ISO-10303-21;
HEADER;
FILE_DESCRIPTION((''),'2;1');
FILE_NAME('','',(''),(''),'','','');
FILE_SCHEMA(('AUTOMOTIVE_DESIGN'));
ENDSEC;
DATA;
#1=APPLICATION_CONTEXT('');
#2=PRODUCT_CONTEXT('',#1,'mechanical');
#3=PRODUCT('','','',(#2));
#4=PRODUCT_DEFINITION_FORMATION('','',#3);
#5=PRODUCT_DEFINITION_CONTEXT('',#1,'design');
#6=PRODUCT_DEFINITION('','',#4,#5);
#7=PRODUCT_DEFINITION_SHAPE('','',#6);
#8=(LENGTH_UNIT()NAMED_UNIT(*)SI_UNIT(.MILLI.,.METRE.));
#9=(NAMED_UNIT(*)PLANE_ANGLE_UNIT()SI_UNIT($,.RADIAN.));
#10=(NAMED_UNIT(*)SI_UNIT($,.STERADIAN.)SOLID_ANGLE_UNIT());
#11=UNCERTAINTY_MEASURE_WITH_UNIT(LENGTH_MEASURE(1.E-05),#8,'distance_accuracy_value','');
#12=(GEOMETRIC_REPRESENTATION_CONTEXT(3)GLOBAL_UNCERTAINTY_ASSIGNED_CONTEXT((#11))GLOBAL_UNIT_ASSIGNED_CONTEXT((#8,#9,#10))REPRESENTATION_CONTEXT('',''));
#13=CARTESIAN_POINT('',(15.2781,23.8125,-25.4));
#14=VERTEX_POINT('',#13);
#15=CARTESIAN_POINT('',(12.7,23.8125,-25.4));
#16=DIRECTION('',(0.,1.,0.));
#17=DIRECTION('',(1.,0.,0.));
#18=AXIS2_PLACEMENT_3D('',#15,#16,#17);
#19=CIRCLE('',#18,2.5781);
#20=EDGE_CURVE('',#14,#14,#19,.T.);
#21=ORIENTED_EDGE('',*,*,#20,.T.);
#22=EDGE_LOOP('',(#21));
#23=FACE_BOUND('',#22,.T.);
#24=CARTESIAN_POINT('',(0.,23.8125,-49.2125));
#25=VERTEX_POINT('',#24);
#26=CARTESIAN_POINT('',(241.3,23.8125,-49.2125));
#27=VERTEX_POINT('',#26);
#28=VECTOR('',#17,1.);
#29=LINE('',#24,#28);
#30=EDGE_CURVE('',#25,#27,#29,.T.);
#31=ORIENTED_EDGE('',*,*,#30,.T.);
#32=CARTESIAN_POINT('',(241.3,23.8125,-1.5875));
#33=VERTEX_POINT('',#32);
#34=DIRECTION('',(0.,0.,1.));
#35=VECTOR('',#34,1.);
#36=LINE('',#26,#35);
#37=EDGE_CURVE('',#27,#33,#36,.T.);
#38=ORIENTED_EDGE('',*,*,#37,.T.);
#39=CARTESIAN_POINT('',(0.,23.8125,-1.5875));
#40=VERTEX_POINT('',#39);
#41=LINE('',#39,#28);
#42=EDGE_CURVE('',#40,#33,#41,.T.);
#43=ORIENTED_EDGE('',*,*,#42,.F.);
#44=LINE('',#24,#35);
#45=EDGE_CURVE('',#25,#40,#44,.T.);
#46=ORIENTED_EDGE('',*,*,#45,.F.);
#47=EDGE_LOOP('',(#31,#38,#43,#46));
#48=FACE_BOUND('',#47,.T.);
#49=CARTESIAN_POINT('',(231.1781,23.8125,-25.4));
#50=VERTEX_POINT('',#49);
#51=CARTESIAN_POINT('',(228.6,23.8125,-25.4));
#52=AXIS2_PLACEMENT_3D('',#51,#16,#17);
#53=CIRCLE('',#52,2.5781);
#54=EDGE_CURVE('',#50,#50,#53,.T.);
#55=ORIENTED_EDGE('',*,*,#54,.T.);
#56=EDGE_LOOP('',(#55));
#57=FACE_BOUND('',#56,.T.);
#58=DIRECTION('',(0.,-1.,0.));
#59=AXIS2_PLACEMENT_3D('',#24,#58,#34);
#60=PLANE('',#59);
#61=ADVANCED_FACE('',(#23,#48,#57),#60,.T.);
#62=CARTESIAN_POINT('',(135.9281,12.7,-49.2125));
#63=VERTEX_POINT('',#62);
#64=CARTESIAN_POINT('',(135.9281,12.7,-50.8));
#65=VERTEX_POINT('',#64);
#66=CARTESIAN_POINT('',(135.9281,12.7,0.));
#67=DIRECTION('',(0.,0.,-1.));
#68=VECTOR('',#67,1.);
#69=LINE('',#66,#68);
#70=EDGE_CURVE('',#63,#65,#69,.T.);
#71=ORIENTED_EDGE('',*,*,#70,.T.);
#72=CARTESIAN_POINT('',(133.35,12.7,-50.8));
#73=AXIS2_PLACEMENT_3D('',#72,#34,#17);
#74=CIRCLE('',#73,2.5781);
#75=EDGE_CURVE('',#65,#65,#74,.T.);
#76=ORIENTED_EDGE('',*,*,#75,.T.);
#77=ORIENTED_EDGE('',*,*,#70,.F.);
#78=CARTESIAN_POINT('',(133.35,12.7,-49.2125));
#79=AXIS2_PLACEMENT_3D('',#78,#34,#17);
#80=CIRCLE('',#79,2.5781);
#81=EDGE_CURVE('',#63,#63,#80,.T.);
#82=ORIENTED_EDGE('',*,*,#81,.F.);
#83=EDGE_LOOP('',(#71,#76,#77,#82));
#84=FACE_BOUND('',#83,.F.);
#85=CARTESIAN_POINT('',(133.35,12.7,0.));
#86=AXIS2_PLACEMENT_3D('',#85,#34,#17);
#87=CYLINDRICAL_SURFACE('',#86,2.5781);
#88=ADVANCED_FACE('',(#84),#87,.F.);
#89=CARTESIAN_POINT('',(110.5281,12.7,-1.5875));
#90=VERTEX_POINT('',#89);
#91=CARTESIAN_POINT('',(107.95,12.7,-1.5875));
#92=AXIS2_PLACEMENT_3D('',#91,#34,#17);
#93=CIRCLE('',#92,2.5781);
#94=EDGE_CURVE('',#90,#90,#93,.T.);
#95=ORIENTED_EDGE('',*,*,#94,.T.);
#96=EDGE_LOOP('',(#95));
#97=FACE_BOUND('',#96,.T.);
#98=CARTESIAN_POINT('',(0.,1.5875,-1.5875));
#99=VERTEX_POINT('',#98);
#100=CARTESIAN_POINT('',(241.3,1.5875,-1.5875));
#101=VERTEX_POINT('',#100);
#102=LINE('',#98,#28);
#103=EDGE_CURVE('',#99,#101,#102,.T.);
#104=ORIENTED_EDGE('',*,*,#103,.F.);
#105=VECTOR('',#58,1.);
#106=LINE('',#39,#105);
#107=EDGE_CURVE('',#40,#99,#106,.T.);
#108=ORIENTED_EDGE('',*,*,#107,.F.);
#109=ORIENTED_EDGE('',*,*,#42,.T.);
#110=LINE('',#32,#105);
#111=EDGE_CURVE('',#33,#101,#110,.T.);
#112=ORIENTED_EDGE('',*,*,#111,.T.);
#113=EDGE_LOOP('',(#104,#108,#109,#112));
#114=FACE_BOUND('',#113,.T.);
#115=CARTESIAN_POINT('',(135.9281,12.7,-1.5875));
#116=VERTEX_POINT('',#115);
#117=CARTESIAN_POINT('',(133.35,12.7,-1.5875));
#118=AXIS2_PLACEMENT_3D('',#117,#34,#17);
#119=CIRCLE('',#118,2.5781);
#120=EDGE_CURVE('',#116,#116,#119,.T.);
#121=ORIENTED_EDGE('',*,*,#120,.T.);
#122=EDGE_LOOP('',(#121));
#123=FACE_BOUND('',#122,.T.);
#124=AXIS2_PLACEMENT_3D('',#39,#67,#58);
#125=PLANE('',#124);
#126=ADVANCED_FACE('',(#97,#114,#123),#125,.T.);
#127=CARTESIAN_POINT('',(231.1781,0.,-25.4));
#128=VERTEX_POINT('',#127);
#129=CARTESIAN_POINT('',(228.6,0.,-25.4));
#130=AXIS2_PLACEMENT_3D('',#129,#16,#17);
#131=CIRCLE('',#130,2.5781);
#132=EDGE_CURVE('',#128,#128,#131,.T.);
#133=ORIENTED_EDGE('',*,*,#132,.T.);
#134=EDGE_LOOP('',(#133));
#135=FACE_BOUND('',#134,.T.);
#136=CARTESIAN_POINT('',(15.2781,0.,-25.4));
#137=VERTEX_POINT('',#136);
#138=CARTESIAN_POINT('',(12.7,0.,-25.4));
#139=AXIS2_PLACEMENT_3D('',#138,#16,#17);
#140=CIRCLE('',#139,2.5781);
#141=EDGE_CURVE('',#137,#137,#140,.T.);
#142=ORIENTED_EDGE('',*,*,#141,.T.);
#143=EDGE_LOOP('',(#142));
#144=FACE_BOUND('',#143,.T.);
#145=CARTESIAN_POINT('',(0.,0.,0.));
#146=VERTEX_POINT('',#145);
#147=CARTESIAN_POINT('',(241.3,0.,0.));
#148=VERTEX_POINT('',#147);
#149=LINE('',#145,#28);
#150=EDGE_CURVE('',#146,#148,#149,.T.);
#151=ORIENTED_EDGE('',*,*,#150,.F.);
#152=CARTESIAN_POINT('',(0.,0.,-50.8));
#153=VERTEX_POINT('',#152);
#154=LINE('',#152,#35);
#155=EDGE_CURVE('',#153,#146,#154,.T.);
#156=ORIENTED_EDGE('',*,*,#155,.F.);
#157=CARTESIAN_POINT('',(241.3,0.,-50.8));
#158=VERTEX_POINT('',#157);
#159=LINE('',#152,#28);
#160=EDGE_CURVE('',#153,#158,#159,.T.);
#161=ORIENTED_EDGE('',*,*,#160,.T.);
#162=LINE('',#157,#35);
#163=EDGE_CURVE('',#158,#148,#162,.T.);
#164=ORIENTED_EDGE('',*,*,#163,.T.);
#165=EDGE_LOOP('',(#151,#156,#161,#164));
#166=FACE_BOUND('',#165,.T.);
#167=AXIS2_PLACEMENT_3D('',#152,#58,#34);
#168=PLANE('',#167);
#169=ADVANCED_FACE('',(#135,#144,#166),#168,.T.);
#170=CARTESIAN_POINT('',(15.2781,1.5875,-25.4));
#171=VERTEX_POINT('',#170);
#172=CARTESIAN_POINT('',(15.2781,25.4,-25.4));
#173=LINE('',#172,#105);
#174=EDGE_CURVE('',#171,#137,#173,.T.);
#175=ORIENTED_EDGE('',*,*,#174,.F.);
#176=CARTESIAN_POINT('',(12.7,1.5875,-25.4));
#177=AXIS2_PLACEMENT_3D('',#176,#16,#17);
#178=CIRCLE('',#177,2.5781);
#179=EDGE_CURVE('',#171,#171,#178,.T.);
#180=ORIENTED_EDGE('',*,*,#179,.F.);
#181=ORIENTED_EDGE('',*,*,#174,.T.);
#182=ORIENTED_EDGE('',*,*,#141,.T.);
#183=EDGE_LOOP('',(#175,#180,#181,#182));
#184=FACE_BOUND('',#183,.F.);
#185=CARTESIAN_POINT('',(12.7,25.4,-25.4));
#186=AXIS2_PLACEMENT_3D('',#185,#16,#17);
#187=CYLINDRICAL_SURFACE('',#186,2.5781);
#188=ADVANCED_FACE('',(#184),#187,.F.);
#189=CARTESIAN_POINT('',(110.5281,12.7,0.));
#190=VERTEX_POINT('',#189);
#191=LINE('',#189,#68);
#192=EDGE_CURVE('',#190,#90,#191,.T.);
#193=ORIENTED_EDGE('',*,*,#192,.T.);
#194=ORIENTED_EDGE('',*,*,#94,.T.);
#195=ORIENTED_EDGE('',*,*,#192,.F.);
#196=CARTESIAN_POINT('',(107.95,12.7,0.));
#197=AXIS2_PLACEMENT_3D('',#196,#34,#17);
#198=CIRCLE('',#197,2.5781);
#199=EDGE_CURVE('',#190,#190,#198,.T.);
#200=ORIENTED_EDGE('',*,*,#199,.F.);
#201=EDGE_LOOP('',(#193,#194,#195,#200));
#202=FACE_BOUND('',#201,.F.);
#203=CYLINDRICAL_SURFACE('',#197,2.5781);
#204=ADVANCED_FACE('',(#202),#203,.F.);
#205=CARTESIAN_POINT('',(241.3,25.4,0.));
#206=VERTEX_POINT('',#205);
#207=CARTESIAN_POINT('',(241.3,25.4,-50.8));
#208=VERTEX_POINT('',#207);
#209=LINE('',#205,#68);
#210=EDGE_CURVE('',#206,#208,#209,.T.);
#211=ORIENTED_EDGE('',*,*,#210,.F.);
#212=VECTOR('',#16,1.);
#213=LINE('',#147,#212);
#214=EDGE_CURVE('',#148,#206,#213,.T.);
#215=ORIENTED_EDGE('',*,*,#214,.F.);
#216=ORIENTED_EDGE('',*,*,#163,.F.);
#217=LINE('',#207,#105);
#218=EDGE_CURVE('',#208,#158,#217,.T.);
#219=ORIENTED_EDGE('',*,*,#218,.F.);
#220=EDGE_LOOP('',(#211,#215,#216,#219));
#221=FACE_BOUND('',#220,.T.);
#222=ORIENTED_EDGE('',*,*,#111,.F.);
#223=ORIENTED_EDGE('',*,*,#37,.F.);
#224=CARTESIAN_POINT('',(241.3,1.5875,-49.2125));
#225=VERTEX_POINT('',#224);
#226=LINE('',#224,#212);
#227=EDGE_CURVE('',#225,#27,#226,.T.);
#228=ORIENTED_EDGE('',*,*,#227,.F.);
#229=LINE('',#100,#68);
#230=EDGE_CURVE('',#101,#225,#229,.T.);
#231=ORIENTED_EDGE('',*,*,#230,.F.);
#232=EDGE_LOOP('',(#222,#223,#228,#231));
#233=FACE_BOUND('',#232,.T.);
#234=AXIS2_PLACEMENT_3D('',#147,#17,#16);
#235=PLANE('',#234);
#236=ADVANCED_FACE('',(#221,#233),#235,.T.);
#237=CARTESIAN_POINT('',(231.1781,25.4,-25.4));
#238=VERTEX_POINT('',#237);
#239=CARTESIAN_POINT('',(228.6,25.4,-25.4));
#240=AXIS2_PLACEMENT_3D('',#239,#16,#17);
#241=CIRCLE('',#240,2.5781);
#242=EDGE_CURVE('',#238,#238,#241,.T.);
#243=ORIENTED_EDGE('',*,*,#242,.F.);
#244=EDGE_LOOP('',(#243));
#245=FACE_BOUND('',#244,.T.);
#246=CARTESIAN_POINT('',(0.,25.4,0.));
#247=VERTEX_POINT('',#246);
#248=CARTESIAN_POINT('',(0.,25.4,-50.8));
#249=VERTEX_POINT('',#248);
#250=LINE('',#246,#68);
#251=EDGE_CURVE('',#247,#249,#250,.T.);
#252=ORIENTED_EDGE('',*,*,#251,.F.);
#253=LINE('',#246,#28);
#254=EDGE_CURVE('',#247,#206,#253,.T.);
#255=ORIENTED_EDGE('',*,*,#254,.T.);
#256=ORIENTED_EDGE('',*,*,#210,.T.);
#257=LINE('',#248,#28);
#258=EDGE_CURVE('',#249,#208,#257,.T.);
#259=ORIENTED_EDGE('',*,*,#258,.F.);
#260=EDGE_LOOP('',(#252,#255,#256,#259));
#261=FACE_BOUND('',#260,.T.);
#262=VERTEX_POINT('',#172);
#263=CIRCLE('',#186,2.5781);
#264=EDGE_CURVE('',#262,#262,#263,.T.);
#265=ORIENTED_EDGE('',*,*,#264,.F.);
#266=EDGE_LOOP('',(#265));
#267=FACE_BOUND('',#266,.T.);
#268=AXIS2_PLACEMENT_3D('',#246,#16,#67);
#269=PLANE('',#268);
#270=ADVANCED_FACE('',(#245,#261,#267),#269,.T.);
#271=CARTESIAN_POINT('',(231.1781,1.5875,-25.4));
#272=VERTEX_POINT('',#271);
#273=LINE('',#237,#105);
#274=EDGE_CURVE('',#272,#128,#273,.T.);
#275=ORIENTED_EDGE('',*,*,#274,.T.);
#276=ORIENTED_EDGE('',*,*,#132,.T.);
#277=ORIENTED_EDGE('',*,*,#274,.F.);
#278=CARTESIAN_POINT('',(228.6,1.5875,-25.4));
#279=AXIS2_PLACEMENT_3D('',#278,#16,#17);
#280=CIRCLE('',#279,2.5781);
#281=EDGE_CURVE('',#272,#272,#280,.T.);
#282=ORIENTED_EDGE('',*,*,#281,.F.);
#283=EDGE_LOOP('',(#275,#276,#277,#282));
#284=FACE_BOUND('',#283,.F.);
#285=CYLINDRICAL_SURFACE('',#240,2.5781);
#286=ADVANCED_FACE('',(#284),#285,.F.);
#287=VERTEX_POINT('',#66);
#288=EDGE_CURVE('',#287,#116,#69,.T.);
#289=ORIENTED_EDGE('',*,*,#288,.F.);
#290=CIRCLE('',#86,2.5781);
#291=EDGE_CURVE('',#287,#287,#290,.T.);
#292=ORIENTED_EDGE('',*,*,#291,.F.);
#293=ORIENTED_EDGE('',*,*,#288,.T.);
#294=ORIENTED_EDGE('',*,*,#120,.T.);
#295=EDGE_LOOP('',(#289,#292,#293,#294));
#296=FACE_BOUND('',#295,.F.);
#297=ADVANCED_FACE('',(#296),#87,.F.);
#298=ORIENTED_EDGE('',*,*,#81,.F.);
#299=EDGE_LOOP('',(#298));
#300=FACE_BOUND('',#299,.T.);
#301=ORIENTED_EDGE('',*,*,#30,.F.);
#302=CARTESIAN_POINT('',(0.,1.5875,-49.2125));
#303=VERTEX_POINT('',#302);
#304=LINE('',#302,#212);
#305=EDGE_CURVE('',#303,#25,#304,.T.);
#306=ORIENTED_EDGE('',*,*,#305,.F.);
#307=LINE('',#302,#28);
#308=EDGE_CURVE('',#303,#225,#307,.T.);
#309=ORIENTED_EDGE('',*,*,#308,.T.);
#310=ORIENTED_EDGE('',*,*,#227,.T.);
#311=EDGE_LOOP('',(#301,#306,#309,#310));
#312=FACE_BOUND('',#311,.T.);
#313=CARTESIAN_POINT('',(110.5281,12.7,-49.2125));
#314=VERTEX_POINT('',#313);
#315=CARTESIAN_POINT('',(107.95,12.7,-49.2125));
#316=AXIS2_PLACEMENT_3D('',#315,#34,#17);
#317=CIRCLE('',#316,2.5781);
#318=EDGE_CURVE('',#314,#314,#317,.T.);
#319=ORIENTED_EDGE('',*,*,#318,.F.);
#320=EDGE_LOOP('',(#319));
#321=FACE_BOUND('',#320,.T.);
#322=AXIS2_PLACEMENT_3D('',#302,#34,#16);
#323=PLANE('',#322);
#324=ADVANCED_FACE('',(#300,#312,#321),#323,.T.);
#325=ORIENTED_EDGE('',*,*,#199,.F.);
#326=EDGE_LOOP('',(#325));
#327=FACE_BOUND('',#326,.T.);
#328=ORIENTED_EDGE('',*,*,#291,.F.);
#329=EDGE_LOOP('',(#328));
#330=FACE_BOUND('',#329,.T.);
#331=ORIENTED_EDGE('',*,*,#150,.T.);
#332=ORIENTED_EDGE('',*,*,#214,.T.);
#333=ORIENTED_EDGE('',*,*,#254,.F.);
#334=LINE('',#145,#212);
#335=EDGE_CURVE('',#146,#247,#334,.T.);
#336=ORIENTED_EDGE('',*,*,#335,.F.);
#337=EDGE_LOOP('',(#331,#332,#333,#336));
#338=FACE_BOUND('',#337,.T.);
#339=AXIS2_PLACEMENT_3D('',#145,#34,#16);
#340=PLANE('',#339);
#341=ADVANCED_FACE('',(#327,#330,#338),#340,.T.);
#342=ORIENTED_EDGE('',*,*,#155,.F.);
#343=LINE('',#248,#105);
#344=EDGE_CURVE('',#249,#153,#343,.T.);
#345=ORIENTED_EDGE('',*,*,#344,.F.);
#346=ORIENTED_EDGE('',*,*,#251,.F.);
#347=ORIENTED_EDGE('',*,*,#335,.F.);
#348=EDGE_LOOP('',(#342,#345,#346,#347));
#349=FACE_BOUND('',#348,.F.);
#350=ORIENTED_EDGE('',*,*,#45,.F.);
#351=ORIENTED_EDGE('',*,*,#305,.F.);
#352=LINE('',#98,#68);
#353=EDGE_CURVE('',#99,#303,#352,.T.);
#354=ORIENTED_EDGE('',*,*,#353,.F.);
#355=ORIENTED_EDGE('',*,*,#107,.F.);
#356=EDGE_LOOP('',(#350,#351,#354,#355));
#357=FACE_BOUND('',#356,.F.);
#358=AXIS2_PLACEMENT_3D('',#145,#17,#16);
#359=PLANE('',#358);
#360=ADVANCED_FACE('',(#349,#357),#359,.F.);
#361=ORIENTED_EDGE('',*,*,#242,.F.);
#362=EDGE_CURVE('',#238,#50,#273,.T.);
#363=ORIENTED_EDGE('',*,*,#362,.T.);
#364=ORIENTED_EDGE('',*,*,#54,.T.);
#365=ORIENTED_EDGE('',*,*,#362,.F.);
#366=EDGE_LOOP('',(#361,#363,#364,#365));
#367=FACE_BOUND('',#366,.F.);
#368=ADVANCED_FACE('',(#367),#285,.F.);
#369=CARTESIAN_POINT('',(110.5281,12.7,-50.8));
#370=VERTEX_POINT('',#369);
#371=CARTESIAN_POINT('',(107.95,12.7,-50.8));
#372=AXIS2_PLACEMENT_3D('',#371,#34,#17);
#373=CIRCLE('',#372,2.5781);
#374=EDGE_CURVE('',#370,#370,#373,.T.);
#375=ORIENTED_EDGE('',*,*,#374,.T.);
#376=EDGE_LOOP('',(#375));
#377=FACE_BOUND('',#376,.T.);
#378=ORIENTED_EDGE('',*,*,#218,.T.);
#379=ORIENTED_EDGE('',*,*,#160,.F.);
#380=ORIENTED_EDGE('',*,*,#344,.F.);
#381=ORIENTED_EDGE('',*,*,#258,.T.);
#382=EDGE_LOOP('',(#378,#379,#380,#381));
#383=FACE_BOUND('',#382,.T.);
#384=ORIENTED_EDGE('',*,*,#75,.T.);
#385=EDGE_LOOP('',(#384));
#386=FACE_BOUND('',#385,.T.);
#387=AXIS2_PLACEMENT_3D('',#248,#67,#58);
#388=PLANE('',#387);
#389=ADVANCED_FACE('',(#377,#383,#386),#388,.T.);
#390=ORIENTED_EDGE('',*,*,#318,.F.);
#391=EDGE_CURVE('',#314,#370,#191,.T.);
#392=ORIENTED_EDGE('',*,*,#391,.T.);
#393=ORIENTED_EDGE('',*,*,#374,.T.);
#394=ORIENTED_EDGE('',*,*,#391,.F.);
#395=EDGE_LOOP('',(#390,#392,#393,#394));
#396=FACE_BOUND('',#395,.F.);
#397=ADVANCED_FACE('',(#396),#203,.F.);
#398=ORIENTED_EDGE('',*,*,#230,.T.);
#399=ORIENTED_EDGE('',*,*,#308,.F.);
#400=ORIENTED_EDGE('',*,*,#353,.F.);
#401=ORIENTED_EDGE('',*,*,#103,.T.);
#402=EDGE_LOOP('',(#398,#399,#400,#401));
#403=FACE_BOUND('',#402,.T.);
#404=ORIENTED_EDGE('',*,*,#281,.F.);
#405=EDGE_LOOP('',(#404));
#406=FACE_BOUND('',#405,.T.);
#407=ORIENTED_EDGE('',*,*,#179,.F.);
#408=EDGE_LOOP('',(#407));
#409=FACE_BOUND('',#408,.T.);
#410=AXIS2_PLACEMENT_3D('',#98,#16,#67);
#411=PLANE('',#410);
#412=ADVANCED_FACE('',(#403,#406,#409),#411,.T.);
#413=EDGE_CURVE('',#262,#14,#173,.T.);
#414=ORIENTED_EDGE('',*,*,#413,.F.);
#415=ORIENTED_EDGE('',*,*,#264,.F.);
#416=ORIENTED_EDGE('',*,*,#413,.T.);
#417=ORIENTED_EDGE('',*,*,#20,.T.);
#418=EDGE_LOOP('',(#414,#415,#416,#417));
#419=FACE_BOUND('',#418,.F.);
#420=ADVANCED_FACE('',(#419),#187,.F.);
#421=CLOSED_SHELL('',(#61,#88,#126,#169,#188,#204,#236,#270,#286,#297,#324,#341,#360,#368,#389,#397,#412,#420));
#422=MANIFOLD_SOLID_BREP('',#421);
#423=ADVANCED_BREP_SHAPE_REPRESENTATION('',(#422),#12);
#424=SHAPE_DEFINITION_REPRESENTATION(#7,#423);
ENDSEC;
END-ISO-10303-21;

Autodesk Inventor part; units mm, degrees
ref_plane "YZ Plane" through (0, 0, 0) normal (1, 0, 0) x (0, 1, 0)
ref_plane "XZ Plane" through (0, 0, 0) normal (0, 1, 0) x (-1, 0, 0)
ref_plane "XY Plane" through (0, 0, 0) normal (0, 0, 1) x (1, 0, 0)
sketch "Sketch1" plane through (0, 0, 0) normal (1, 0, 0) x (0, 1, 0)
  line L0 (0, 0) -> (25.4, 0)
  line L1 (25.4, 0) -> (25.4, -50.8)
  line L2 (25.4, -50.8) -> (0, -50.8)
  line L3 (0, -50.8) -> (0, 0)
  line L4 (23.8125, -1.5875) -> (1.5875, -1.5875)
  line L5 (1.5875, -1.5875) -> (1.5875, -49.2125)
  line L6 (1.5875, -49.2125) -> (23.8125, -49.2125)
  line L7 (23.8125, -49.2125) -> (23.8125, -1.5875)
  dimension "d0" = 25.4
  dimension "d1" = 50.8
  dimension "d2" = 1.5875
extrude "Extrusion1" add sketch "Sketch1" along normal blind 241.3
sketch "Sketch2" plane through (0, 25.4, 0) normal (0, 1, 0) x (1, 0, 0)
  line L0 (0, 50.8) -> (0, 0) projected
  line L1 (0, 0) -> (241.3, 0) projected
  line L2 (241.3, 50.8) -> (241.3, 0) projected
  line L3 (0, 50.8) -> (241.3, 50.8) projected
  circle A0 centre (12.7, 25.4) radius 2.5781
  circle A1 centre (228.6, 25.4) radius 2.5781
  point P0 (0, 0)
  dimension "d5" = 5.1562
  dimension "d6" = 12.7
  dimension "d7" = 5.1562
  dimension "d8" = 12.7
  dimension "d9" = 25.4
  dimension "d10" = 25.4
extrude "Extrusion2" cut sketch "Sketch2" against normal blind 25.4 contours A0 | A1
sketch "Sketch4" plane through (0, 0, 0) normal (0, 0, 1) x (1, 0, 0)
  line L0 (0, 25.4) -> (0, 0) projected
  line L1 (0, 0) -> (241.3, 0) projected
  line L2 (241.3, 25.4) -> (241.3, 0) projected
  line L3 (0, 25.4) -> (241.3, 25.4) projected
  line L4 (120.65, 25.4) -> (120.65, 0) construction
  circle A0 centre (107.95, 12.7) radius 2.5781
  circle A1 centre (133.35, 12.7) radius 2.5781
  dimension "d21" = 5.1562
  dimension "d22" = 5.1562
  dimension "d23" = 12.7
  dimension "d24" = 25.4
  dimension "d27" = 12.7
  dimension "d28" = 12.7
extrude "Extrusion4" cut sketch "Sketch4" against normal through all contours A0 | A1
properties part number "2inTubeBase"
